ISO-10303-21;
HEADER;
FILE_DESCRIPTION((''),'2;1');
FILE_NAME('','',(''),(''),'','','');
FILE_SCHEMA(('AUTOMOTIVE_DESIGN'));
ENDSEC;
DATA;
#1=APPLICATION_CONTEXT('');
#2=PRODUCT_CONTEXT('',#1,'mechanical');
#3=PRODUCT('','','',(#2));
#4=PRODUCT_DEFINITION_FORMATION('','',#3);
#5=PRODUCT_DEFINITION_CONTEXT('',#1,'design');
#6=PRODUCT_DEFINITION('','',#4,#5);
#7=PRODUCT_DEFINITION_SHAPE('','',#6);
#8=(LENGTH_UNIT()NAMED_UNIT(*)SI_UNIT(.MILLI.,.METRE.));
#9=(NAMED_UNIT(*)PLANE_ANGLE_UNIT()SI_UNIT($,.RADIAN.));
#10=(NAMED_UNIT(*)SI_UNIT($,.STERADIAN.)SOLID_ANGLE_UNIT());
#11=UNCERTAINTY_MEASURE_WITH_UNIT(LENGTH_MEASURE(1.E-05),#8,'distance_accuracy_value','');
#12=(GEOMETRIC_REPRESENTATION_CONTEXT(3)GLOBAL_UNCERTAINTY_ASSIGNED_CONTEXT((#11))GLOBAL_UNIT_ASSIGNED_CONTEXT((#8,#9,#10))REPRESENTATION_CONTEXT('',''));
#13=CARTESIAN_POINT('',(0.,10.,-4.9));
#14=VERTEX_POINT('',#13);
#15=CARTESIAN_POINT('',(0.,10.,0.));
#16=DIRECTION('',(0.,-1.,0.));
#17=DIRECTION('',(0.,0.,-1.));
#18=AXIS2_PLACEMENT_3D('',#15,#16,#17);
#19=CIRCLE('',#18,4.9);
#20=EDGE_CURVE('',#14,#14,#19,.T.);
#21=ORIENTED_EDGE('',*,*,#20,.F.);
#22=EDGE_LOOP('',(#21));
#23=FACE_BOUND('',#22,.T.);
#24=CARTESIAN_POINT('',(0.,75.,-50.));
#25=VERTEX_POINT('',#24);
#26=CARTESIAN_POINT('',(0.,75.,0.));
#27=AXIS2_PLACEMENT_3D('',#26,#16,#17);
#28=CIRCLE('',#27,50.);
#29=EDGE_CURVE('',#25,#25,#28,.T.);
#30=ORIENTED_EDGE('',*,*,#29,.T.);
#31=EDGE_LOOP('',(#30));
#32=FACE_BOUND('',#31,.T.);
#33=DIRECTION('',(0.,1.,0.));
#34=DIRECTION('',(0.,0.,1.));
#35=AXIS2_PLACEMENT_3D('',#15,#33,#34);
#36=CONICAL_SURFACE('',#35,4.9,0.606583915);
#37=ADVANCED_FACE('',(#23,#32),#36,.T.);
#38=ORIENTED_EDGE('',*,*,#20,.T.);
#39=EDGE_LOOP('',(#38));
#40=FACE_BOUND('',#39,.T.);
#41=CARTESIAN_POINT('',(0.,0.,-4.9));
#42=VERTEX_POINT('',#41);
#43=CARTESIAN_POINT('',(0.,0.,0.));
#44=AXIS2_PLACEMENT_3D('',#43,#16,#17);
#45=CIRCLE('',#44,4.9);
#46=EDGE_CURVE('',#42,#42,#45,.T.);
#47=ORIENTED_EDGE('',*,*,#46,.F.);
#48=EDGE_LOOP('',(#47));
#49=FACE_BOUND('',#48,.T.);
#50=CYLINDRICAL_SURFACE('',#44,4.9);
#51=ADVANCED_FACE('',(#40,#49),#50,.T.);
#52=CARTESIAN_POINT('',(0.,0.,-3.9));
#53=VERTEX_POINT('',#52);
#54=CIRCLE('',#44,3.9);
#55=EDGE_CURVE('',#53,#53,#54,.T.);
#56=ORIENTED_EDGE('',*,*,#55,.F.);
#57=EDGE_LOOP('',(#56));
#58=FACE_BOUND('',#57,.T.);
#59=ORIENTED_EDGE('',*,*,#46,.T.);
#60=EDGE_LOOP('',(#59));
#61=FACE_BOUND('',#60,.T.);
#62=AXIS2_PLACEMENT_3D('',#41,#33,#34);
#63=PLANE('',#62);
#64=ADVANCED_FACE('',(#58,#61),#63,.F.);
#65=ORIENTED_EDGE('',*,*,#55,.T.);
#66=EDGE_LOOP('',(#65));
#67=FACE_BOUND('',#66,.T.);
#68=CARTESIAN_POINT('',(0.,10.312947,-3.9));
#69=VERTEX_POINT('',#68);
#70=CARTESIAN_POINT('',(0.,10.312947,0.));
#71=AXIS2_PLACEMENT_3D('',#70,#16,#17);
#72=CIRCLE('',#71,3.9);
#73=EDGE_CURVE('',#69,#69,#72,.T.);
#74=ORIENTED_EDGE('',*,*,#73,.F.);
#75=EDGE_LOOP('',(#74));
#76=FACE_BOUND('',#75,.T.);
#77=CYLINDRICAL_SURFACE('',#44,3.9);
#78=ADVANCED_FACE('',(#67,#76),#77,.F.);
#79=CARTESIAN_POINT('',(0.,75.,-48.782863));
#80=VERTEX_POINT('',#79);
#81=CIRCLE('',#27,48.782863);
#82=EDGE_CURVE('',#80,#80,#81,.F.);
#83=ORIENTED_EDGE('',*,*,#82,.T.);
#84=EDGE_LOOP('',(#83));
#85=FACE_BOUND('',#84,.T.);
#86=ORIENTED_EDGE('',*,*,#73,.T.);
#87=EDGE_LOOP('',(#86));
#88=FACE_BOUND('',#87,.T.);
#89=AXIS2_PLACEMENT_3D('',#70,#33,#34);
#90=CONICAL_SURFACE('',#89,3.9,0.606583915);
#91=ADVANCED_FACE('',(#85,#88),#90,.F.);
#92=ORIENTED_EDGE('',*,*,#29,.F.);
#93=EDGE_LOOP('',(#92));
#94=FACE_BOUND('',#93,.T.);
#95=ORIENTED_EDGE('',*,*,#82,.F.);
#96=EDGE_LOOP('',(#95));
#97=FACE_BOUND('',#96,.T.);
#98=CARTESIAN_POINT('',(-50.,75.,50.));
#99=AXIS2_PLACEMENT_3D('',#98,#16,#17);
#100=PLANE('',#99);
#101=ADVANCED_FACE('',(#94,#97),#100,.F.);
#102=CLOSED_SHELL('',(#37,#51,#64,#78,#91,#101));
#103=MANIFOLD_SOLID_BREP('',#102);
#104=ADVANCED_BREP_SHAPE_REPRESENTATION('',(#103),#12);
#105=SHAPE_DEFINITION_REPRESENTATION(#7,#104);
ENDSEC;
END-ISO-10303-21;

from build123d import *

# Parameters (mm, degrees)
SKETCH2_W               = 100
SKETCH2_H               = 0.570064136
CUT_EXTRUDE1_DEPTH      = 51
CUT_EXTRUDE1_DEPTH_BACK = 51


with BuildPart() as part:
    # Sketch1 → Revolve-Thin2 (revolve)
    with BuildSketch(Plane(origin=(0, 0, 0), x_dir=(0, 0, -1), z_dir=(1, 0, 0))):
        Polygon((4.9, 0), (4.9, 10), (50, 75), (49.178399804, 75.570064136), (3.9, 10.312946901), (3.9, 0), align=None)
    revolve(axis=Axis((0, 0, 0), (0, 1, 0)))

    # Sketch2 → Cut-Extrude1 (cut, two sides)
    with BuildSketch(Plane(origin=(0, 0, 0), x_dir=(0, 0, -1), z_dir=(1, 0, 0))) as cut_extrude1_sk:
        with Locations((0, 75.285032068)):
            Rectangle(SKETCH2_W, SKETCH2_H)
    extrude(amount=CUT_EXTRUDE1_DEPTH, mode=Mode.SUBTRACT)
    extrude(cut_extrude1_sk.sketch, amount=-CUT_EXTRUDE1_DEPTH_BACK, mode=Mode.SUBTRACT)


solid = part.part
